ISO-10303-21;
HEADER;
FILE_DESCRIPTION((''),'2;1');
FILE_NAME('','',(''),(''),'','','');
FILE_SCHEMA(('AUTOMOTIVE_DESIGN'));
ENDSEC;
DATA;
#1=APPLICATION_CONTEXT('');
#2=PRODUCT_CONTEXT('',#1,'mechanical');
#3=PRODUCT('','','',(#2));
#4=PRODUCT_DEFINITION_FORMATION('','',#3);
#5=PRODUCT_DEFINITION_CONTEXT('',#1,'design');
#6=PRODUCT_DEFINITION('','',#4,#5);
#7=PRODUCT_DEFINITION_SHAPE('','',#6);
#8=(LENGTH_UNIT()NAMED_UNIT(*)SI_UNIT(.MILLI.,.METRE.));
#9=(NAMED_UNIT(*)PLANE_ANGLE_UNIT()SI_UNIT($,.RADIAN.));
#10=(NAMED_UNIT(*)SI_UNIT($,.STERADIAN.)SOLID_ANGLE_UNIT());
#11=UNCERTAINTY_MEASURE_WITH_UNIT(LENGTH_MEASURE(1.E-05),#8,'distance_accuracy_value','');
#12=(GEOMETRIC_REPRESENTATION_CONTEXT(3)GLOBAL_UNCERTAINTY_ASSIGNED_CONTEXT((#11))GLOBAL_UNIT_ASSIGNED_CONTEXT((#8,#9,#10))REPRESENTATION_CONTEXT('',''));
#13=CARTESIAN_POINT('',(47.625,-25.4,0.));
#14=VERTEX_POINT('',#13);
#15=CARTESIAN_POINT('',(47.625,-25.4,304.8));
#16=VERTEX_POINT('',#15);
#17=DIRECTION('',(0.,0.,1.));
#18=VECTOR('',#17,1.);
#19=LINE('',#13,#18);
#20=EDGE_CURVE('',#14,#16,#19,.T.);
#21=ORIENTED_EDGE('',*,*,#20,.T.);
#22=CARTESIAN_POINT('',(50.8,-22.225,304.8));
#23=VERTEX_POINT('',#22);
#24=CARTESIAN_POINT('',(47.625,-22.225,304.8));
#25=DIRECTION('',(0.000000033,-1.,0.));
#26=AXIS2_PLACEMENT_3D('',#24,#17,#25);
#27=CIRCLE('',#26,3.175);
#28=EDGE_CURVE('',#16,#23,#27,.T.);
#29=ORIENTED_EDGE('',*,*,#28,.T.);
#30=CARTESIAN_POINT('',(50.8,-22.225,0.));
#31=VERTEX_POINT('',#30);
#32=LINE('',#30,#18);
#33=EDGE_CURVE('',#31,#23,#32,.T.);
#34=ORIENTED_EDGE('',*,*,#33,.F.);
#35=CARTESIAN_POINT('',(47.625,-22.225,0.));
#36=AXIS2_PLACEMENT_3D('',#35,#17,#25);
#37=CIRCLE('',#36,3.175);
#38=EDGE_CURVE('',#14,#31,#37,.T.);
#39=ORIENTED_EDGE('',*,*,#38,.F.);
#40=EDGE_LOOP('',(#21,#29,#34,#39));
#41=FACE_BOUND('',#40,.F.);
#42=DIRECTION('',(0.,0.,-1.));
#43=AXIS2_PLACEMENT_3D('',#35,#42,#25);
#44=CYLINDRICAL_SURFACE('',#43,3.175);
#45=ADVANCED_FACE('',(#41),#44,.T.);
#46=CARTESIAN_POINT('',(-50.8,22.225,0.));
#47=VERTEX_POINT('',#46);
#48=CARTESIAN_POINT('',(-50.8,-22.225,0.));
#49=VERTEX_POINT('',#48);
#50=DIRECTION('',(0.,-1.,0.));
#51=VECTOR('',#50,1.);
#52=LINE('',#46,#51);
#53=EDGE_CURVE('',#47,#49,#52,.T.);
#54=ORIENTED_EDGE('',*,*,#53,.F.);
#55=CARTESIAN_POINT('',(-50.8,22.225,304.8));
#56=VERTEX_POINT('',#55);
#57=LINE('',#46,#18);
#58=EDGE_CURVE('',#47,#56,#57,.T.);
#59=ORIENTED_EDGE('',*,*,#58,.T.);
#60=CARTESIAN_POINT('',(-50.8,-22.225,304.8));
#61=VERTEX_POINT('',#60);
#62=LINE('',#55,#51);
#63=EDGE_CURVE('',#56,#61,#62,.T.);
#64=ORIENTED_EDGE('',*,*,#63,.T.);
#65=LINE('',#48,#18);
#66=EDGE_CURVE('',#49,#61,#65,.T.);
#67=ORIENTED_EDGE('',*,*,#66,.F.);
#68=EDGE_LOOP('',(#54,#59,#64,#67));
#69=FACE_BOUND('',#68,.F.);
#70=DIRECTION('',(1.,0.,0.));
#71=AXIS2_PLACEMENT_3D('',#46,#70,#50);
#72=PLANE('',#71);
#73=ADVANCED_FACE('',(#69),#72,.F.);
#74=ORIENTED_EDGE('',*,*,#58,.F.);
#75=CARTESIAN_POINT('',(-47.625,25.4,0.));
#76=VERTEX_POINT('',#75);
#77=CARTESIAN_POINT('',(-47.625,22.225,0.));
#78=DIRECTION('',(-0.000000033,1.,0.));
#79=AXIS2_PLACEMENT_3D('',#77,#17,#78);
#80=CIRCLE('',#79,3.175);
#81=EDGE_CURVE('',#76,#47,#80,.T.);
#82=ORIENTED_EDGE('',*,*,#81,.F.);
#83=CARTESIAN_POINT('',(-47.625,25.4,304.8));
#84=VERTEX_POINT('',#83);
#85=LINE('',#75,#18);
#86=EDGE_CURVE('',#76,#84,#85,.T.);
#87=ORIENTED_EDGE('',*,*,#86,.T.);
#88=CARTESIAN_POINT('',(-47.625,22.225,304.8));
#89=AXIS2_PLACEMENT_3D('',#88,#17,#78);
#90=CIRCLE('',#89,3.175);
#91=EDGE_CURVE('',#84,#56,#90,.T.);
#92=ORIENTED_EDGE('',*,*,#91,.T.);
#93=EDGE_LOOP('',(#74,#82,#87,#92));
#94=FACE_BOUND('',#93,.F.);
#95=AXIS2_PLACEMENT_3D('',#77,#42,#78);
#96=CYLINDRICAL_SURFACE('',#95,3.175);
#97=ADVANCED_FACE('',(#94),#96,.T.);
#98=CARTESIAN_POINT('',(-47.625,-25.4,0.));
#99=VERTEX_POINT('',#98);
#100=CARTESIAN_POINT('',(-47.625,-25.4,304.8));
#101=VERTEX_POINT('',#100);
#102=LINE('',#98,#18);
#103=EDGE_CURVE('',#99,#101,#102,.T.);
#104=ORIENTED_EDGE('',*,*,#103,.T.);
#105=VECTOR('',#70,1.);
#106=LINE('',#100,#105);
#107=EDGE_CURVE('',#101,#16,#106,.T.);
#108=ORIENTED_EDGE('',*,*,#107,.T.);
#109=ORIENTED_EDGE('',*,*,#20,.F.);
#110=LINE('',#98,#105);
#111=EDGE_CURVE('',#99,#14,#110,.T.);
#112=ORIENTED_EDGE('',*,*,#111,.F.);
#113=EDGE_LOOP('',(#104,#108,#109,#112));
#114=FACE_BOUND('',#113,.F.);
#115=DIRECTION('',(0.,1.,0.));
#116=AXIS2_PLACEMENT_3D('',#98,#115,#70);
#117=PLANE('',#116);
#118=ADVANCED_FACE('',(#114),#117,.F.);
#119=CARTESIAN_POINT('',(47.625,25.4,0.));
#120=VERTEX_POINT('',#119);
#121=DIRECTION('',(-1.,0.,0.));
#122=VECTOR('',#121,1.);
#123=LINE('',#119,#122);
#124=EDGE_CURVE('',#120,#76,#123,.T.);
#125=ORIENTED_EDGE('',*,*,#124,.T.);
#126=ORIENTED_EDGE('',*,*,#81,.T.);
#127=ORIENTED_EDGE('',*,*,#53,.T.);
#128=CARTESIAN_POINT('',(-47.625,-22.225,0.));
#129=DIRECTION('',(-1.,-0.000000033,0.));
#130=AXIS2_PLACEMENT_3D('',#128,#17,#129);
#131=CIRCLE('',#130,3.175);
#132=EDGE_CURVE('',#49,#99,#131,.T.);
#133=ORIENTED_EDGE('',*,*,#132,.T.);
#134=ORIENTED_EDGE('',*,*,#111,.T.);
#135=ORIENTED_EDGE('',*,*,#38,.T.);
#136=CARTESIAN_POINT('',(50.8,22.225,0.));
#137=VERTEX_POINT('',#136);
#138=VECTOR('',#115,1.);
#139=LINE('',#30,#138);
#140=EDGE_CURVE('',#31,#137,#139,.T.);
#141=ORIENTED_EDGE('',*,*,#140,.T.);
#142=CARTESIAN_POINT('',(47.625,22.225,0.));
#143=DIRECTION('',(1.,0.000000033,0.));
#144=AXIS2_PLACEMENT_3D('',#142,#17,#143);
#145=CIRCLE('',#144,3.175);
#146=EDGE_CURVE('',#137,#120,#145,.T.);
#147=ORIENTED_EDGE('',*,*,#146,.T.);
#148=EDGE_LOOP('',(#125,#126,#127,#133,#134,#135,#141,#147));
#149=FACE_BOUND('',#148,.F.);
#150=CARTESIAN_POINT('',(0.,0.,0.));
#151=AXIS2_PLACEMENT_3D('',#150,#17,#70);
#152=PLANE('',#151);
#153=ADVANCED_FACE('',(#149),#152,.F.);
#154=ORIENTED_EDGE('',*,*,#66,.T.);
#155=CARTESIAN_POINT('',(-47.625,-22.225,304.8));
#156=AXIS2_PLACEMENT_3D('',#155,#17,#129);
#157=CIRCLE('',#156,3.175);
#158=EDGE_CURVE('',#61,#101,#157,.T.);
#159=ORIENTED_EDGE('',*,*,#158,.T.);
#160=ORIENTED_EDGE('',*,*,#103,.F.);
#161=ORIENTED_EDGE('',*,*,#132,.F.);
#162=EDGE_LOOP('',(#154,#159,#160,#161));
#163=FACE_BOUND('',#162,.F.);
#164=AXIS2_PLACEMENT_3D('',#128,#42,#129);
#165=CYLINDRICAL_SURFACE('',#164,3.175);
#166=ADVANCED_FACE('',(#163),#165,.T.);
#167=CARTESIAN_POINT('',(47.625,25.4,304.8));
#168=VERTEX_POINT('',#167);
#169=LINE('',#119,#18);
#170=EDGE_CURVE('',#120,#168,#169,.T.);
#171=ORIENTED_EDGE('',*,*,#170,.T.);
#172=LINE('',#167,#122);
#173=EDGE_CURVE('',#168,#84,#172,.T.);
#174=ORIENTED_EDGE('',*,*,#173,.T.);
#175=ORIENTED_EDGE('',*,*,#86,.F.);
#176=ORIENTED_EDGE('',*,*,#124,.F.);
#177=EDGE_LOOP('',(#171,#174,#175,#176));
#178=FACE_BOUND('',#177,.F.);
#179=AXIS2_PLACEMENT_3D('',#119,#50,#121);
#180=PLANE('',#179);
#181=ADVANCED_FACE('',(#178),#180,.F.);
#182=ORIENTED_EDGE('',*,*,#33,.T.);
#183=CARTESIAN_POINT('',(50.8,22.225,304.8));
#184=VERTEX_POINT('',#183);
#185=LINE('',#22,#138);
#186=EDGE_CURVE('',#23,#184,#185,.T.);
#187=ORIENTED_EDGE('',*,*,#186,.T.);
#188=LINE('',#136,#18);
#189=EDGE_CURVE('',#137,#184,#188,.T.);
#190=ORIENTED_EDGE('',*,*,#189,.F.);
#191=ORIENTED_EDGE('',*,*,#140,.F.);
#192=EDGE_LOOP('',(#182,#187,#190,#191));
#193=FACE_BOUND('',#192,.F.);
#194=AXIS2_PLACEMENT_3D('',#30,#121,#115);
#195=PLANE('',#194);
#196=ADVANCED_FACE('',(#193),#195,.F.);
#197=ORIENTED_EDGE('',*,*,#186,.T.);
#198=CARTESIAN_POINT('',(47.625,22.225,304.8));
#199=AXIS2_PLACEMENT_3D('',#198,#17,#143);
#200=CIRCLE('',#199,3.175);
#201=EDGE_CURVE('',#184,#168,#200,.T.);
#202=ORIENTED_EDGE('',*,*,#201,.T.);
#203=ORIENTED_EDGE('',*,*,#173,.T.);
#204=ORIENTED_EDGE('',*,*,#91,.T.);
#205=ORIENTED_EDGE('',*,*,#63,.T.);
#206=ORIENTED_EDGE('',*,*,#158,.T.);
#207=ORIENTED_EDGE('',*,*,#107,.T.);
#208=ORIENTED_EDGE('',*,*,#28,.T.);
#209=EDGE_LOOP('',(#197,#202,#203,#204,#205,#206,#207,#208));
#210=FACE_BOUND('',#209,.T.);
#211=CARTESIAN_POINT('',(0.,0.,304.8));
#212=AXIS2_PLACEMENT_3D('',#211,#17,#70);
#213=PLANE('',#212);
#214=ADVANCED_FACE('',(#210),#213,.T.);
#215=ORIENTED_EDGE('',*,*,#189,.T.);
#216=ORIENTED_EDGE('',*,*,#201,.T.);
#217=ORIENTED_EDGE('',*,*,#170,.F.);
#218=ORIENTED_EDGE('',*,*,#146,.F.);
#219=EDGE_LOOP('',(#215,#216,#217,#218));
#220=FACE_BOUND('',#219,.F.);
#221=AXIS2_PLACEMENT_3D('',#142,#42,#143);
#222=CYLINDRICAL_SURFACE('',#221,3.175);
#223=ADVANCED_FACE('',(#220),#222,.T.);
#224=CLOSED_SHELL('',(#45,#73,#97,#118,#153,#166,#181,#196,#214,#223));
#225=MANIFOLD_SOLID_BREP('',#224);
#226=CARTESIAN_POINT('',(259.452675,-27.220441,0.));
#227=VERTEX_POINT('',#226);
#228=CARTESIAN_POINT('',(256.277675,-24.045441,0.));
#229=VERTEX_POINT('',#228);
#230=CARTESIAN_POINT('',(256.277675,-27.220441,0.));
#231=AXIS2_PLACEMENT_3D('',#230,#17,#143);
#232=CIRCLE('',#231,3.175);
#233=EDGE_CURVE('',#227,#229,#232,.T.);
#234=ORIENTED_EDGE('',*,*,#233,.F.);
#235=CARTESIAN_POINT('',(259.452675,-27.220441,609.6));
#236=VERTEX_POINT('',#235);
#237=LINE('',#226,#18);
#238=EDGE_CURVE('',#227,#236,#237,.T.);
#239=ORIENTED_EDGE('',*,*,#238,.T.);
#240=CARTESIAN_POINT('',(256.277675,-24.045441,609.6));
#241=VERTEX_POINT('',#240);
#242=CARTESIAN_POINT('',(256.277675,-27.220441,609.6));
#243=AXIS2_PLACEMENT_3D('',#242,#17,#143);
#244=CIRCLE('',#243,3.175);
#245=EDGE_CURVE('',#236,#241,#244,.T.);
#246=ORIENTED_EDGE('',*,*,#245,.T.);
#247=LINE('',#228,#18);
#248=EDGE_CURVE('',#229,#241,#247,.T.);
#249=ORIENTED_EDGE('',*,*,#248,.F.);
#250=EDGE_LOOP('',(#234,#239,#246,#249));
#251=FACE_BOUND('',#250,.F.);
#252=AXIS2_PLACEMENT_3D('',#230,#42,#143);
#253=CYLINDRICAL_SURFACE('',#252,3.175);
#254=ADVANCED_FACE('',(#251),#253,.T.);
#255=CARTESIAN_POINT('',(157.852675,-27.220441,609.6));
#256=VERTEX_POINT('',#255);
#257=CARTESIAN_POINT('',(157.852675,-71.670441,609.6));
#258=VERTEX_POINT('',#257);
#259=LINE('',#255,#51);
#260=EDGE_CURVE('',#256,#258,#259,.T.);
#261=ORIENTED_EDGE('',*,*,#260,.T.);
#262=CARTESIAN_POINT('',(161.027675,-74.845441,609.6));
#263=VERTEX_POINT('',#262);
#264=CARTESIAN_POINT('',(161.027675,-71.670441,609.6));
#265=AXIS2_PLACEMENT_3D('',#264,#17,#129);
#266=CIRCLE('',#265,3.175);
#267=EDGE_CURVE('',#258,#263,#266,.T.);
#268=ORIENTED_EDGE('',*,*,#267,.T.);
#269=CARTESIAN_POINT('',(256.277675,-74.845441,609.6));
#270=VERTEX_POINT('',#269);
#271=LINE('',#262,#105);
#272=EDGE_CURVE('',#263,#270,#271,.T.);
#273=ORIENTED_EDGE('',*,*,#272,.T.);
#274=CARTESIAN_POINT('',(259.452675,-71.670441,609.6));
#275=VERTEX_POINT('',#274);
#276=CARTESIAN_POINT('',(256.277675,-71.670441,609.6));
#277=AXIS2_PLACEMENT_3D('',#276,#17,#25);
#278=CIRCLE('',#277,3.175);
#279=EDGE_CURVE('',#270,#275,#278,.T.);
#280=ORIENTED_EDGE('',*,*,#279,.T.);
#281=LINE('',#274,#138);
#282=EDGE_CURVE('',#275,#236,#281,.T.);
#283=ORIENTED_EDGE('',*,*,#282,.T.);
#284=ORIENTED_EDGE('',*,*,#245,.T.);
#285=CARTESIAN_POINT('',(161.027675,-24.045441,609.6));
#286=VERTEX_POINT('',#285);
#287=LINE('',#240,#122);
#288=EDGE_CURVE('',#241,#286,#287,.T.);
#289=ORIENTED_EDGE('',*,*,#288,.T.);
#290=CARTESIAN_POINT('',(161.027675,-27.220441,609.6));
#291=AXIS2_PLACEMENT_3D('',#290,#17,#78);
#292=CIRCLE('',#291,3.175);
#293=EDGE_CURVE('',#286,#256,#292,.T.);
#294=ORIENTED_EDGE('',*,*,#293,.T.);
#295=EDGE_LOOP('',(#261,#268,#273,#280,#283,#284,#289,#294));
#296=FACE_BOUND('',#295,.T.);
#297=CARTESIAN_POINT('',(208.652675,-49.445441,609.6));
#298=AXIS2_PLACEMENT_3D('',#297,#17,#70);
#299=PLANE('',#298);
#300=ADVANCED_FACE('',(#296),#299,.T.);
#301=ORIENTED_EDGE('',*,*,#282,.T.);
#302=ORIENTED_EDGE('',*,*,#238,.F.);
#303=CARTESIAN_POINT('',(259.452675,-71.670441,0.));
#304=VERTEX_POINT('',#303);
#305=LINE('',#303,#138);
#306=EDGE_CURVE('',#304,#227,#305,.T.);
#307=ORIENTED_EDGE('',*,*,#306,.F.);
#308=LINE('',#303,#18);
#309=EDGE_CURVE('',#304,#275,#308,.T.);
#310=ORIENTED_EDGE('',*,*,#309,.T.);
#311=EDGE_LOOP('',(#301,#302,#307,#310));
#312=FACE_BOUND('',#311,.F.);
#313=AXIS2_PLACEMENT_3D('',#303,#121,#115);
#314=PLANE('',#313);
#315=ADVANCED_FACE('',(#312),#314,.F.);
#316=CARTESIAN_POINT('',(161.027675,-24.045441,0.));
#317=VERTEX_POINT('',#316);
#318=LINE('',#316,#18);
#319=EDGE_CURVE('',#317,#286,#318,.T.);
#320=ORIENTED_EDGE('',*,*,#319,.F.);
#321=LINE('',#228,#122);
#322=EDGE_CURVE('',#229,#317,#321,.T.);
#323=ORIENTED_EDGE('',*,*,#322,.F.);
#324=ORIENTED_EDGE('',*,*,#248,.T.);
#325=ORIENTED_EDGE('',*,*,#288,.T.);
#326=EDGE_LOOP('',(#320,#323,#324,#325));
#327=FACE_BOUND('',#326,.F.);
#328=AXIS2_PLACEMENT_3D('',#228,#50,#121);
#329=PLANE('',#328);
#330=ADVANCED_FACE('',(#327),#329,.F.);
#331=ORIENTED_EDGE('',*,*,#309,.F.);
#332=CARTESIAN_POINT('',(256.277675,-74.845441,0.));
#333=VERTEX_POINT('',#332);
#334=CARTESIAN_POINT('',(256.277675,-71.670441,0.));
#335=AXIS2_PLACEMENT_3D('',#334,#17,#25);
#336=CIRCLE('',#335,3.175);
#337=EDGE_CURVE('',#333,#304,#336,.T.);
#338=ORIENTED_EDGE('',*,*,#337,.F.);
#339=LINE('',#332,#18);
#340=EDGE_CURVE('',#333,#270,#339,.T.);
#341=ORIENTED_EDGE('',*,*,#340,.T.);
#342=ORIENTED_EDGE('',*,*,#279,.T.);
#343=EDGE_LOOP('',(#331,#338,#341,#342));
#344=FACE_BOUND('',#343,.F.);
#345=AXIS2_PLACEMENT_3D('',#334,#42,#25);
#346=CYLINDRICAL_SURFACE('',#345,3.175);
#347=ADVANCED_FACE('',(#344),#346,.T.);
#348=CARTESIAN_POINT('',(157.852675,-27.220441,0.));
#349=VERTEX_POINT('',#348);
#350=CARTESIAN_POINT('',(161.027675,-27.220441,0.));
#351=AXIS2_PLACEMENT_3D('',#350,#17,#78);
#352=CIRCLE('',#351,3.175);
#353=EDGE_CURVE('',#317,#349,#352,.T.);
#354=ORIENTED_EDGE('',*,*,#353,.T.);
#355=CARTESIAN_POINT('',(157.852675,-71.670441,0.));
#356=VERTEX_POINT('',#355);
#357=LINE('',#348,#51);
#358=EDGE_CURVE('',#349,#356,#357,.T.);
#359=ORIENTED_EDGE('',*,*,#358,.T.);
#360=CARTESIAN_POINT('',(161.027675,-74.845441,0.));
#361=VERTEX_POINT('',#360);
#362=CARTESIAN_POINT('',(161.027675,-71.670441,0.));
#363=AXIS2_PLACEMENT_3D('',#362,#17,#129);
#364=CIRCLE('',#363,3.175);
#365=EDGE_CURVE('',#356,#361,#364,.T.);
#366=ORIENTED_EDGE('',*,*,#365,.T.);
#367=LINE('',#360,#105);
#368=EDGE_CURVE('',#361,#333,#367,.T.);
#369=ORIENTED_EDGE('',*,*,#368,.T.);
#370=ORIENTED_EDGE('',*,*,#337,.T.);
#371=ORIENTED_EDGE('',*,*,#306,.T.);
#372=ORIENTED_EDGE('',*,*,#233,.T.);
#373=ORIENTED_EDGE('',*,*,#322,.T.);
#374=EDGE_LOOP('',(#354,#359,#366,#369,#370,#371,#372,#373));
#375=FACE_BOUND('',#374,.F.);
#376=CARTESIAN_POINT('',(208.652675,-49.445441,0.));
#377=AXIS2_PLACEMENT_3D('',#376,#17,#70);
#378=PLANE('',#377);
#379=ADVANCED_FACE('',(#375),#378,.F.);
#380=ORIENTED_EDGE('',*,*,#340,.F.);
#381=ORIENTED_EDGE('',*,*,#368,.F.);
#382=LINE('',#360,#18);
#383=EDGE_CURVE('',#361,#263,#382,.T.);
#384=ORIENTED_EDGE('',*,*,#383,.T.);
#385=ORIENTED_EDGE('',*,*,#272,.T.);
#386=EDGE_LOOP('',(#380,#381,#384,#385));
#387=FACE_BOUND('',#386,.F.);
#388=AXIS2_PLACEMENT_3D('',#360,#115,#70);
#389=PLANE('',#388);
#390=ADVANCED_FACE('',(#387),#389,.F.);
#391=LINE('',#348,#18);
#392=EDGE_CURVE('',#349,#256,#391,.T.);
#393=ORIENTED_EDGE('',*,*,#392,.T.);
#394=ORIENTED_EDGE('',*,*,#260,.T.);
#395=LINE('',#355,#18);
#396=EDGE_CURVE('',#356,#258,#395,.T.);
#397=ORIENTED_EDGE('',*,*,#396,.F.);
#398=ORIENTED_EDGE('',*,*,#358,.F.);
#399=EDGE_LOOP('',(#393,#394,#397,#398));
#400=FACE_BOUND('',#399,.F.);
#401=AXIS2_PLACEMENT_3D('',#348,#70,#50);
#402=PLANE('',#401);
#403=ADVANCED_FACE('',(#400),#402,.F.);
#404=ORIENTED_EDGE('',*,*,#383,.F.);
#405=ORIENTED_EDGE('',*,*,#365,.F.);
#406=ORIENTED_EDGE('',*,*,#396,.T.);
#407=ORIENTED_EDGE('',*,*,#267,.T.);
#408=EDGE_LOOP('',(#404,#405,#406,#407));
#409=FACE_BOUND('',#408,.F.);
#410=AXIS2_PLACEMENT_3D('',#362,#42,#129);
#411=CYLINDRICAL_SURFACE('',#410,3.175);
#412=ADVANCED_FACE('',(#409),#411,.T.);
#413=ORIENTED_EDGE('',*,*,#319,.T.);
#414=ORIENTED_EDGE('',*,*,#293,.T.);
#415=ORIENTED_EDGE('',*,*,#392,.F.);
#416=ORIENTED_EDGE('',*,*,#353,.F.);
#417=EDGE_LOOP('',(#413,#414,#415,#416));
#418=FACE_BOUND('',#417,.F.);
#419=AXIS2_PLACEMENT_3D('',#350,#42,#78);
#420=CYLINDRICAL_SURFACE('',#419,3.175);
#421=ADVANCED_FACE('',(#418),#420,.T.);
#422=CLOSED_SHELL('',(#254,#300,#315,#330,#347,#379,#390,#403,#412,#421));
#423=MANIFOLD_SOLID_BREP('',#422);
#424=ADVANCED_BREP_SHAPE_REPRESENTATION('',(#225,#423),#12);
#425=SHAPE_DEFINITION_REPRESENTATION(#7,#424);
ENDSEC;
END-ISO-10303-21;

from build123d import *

# Parameters (mm, degrees)
F1_DEPTH = 304.8
F3_DEPTH = 609.6


with BuildPart() as f1:
    # F0 (on Top) → F1 (new body)
    with BuildSketch(Plane.XY):
        with BuildLine():
            Line((-47.625, -25.4), (47.625, -25.4))
            ThreePointArc((47.625, -25.4), (49.870064, -24.470064), (50.8, -22.225))
            Line((50.8, -22.225), (50.8, 22.225))
            ThreePointArc((50.8, 22.225), (49.870064, 24.470064), (47.625, 25.4))
            Line((47.625, 25.4), (-47.625, 25.4))
            ThreePointArc((-47.625, 25.4), (-49.870064, 24.470064), (-50.8, 22.225))
            Line((-50.8, 22.225), (-50.8, -22.225))
            ThreePointArc((-50.8, -22.225), (-49.870064, -24.470064), (-47.625, -25.4))
        make_face()
    extrude(amount=F1_DEPTH)


with BuildPart() as f3:
    # F2 (on Top) → F3 (new body)
    with BuildSketch(Plane.XY):
        with BuildLine():
            Line((161.027675, -74.845441), (256.277675, -74.845441))
            ThreePointArc((256.277675, -74.845441), (258.522739, -73.915505), (259.452675, -71.670441))
            Line((259.452675, -71.670441), (259.452675, -27.220441))
            ThreePointArc((259.452675, -27.220441), (258.522739, -24.975377), (256.277675, -24.045441))
            Line((256.277675, -24.045441), (161.027675, -24.045441))
            ThreePointArc((161.027675, -24.045441), (158.782611, -24.975377), (157.852675, -27.220441))
            Line((157.852675, -27.220441), (157.852675, -71.670441))
            ThreePointArc((157.852675, -71.670441), (158.782611, -73.915505), (161.027675, -74.845441))
        make_face()
    extrude(amount=F3_DEPTH)


solid = Compound([f1.part, f3.part])
